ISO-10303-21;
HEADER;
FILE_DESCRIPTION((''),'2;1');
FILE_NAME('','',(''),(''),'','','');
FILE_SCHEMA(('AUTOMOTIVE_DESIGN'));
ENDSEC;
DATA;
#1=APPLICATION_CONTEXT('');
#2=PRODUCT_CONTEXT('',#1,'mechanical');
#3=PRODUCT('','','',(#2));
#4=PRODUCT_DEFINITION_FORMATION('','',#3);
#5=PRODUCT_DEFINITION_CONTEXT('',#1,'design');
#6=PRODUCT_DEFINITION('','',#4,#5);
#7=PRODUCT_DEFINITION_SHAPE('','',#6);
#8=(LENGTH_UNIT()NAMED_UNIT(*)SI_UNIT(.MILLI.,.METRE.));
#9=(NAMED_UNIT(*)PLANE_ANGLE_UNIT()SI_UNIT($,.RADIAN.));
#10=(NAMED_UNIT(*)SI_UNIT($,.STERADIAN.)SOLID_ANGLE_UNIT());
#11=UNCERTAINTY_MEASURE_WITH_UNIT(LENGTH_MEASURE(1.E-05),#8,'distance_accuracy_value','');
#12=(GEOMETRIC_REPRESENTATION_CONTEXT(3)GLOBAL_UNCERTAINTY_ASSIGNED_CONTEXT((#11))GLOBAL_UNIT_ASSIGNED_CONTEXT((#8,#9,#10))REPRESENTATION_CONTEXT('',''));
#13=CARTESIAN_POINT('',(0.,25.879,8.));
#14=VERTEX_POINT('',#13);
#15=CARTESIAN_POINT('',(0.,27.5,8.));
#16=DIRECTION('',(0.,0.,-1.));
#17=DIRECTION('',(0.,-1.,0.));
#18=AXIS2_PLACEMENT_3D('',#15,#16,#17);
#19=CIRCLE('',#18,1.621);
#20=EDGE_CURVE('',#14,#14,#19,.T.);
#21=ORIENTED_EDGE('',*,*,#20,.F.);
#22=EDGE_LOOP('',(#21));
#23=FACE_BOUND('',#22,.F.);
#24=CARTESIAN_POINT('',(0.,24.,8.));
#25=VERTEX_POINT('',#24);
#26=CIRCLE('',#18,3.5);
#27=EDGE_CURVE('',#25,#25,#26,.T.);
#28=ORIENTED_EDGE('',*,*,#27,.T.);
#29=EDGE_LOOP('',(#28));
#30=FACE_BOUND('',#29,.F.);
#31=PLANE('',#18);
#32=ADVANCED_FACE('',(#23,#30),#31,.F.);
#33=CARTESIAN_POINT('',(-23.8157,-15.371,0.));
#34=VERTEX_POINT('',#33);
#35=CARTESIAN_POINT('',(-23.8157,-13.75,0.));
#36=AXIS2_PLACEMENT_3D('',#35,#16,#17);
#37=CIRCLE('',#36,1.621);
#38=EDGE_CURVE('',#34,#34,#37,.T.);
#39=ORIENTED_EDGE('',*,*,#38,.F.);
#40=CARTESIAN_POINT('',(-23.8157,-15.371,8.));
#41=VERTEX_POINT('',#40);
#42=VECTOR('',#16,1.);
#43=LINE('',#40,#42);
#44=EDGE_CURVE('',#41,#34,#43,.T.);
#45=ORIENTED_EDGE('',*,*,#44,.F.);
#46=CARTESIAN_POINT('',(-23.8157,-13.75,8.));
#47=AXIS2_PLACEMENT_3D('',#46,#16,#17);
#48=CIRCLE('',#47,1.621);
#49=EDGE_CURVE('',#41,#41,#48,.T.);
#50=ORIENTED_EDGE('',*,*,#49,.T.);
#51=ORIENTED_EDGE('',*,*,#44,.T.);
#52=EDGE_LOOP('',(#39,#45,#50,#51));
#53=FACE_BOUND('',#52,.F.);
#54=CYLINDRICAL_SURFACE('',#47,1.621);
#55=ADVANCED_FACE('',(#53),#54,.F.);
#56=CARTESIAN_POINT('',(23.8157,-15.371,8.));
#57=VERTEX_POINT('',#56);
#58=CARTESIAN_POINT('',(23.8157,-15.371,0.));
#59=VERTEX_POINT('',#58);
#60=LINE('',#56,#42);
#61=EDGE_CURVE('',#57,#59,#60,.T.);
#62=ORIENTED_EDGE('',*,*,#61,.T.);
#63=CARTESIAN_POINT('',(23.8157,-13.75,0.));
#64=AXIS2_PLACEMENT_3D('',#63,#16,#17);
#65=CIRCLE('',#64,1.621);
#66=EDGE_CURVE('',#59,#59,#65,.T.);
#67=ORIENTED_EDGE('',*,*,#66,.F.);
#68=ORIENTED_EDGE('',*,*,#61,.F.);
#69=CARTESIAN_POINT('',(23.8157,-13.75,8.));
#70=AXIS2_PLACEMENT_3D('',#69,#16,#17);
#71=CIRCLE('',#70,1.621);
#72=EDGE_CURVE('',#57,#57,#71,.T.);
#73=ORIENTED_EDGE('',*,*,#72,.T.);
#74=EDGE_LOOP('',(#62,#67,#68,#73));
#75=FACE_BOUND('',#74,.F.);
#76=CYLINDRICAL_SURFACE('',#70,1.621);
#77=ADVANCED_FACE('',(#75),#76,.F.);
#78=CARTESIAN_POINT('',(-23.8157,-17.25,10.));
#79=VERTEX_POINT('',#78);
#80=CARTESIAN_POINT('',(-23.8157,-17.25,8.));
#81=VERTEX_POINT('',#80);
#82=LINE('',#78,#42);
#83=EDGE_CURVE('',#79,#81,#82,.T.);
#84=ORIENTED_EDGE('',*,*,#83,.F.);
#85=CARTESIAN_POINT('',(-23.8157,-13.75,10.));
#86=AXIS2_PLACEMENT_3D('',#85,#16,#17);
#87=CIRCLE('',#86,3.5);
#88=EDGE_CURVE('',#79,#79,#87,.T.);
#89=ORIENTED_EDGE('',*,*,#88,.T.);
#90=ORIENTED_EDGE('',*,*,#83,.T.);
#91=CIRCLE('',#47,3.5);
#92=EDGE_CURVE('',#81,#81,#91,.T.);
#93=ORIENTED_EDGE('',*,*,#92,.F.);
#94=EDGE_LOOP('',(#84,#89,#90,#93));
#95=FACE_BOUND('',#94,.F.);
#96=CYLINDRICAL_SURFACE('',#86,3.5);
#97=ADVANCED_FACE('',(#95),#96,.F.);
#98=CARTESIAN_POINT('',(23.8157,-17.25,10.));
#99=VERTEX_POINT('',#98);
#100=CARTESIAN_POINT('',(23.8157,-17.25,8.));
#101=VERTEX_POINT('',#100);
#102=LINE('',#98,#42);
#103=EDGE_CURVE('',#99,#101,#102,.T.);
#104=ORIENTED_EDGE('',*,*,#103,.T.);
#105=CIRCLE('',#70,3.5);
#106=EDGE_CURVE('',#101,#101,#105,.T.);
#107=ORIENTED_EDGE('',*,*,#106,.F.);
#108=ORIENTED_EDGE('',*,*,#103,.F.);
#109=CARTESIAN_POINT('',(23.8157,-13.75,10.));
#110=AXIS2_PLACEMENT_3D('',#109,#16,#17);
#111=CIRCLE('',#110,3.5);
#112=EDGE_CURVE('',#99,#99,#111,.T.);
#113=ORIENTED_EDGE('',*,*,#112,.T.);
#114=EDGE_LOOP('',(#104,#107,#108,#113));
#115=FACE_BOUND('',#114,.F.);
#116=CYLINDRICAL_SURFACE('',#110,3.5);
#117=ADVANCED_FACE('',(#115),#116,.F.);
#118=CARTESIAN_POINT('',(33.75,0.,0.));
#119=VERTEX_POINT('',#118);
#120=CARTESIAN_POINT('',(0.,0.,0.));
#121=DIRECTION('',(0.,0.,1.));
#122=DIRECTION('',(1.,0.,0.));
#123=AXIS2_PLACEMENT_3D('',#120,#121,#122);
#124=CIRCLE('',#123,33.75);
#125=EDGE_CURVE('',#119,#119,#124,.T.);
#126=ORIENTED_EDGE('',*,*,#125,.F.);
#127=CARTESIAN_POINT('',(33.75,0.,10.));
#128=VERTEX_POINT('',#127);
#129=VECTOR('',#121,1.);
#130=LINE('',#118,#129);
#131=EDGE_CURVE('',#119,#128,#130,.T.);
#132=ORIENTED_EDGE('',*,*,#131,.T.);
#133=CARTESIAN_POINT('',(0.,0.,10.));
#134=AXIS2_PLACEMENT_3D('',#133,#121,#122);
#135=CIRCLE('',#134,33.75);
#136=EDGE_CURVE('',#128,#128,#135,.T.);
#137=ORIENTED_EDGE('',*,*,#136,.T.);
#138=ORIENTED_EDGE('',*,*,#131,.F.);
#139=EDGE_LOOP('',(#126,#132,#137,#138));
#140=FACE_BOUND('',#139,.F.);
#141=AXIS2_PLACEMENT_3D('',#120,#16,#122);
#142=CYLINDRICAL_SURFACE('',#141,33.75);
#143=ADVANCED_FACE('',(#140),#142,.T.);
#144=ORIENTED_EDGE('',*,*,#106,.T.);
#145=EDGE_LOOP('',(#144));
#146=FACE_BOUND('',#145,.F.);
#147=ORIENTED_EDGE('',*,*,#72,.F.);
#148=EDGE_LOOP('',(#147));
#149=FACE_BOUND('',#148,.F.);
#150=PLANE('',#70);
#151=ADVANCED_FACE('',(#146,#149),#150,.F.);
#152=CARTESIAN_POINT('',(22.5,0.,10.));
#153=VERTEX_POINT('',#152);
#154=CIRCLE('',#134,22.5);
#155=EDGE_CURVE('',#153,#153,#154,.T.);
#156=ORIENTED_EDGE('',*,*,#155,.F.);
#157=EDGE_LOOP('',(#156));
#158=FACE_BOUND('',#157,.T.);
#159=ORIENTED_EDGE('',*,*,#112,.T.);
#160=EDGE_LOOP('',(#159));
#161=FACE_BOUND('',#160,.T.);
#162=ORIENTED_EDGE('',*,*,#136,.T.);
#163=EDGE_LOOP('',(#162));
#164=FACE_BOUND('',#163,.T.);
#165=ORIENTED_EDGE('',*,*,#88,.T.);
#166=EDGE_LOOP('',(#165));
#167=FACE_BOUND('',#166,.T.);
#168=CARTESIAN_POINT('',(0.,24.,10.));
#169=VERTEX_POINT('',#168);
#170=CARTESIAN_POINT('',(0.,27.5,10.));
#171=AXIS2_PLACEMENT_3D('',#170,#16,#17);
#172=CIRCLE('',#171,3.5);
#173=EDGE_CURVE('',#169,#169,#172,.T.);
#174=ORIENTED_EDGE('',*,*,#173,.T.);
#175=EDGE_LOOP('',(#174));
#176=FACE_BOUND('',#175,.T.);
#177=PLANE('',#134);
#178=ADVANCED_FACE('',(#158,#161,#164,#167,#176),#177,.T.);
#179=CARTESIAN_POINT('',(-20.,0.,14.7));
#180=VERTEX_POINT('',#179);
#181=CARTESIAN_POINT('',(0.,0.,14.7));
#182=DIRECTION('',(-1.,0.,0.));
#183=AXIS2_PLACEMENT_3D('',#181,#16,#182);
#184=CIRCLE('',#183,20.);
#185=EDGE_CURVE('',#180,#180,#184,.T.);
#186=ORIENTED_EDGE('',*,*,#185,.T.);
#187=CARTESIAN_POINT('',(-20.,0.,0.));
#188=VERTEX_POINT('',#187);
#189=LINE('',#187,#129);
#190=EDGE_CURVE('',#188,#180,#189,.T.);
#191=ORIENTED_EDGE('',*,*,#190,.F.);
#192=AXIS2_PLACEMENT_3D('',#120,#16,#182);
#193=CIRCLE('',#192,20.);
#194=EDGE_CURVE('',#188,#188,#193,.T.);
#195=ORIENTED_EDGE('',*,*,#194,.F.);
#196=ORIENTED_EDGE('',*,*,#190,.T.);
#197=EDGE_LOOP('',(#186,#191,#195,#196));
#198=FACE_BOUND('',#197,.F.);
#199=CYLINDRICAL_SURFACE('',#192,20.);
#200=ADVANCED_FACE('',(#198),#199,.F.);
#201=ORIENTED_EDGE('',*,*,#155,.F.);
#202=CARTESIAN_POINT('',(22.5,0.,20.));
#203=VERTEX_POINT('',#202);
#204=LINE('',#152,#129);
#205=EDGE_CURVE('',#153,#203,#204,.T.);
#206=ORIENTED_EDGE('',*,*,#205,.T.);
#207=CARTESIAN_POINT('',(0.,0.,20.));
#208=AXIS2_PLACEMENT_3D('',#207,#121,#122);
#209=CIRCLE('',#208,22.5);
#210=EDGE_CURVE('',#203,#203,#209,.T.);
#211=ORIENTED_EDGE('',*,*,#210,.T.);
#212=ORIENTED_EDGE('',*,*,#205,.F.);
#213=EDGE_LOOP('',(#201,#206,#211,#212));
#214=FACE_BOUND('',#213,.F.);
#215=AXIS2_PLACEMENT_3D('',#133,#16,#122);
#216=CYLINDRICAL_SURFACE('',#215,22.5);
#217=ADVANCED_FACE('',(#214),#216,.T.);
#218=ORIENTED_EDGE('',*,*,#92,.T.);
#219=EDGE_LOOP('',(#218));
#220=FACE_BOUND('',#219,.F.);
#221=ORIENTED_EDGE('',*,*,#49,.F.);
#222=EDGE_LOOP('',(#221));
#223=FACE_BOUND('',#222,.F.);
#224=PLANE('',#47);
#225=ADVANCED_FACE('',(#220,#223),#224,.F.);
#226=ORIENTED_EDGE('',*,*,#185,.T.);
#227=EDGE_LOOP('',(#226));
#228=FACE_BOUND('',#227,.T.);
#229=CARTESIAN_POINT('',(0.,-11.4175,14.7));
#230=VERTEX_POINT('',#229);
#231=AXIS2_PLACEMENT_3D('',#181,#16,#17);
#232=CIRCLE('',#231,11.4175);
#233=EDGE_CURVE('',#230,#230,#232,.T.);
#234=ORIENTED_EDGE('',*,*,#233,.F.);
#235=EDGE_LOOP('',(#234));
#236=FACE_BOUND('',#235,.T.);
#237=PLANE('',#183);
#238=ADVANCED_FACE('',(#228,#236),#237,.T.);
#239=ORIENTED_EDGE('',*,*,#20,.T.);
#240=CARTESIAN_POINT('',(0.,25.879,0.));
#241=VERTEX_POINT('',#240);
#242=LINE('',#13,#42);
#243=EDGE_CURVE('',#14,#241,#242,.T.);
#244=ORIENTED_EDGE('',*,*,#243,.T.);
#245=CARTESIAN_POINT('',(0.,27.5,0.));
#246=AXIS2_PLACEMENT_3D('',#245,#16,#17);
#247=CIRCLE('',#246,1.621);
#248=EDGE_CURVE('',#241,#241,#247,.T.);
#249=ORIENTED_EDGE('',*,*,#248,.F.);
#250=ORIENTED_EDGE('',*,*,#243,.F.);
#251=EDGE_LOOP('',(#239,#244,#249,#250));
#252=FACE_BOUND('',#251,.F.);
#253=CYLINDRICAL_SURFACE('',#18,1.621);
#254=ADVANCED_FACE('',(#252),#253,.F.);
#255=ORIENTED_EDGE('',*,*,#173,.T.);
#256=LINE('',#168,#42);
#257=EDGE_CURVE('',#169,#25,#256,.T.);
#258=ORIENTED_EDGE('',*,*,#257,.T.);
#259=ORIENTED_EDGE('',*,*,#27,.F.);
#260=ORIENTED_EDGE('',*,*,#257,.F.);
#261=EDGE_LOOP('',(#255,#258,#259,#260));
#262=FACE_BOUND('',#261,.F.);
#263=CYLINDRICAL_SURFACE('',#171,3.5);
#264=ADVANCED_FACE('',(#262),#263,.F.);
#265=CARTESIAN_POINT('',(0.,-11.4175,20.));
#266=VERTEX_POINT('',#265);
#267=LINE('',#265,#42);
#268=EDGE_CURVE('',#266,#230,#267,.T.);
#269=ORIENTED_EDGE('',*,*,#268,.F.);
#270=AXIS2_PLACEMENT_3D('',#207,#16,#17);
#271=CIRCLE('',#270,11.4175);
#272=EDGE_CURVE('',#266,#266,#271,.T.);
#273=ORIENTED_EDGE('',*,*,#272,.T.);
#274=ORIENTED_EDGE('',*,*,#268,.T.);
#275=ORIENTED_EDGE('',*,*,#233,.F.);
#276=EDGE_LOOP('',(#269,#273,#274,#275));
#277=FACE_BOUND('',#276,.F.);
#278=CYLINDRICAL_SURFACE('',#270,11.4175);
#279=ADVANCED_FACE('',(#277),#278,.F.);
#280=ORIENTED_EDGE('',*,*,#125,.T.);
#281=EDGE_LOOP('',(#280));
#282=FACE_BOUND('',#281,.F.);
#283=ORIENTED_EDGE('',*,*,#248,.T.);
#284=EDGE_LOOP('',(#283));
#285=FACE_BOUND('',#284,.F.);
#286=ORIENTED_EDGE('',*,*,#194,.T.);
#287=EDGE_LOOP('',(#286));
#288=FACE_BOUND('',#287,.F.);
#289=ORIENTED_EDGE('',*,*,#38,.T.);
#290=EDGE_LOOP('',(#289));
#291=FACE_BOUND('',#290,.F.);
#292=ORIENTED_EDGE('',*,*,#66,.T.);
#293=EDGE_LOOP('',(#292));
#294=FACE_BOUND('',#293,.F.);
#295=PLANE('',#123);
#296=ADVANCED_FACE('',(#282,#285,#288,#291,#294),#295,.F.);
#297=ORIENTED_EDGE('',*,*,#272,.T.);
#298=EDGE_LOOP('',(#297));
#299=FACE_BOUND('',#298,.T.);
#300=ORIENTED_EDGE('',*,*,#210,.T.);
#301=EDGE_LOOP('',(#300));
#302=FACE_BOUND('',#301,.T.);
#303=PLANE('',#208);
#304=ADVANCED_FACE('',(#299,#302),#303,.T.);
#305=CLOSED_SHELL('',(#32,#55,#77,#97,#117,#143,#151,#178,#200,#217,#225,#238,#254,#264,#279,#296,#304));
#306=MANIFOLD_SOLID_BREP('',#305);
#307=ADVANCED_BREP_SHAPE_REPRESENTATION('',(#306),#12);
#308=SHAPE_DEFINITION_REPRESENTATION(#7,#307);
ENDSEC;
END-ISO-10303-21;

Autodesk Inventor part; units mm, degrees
ref_plane "YZ Plane" through (0, 0, 0) normal (1, 0, 0) x (0, 1, 0)
ref_plane "XZ Plane" through (0, 0, 0) normal (0, 1, 0) x (-1, 0, 0)
ref_plane "XY Plane" through (0, 0, 0) normal (0, 0, 1) x (1, 0, 0)
sketch "Sketch3" plane through (0, 0, 0) normal (0, 0, 1) x (1, 0, 0)
  circle A0 centre (0, 0) radius 33.75
  dimension "d7" = 67.5
extrude "baseExtrusion" add sketch "Sketch3" along normal blind 10
sketch "Sketch4" plane through (0, 0, 10) normal (0, 0, 1) x (1, 0, 0)
  circle A0 centre (0, 0) radius 22.5
  dimension "d10" = 45
extrude "objectiveMountExtrusion" add sketch "Sketch4" along normal blind 10
sketch "Sketch5" plane through (0, 0, 20) normal (0, 0, 1) x (1, 0, 0)
  point P0 (0, 0)
  point P1 (0, 0)
hole "objectiveThread" at (0, 0, 20) direction (0, 0, -1) diameter 22.835 end through all thread size "M25x2" class "6H" standard "ISO Metric profile"
sketch "Sketch6" plane through (0, 0, 0) normal (0, 0, -1) x (-1, 0, 0)
  circle A0 centre (0, 0) radius 20
  dimension "d20" = 40
extrude "objectiveClearance" cut sketch "Sketch6" against normal blind 14.7
sketch "Sketch7" plane through (0, 0, 10) normal (0, 0, 1) x (1, 0, 0)
  point P0 (0, 0)
  point P1 (0, 27.5)
  point P2 (-23.8157, -13.75)
  point P3 (23.8157, -13.75)
  dimension "d23" = 27.5
  dimension "d26" = 360
hole "holeMounts" at (0, 27.5, 10) at (-23.8157, -13.75, 10) at (23.8157, -13.75, 10) direction (0, 0, -1) diameter 3.242 end through all counterbore diameter 7 counterbore depth 2 thread size "M4x0.7" class "6H" standard "ISO Metric profile"
properties part number "cylindricalObjectiveHolder"
